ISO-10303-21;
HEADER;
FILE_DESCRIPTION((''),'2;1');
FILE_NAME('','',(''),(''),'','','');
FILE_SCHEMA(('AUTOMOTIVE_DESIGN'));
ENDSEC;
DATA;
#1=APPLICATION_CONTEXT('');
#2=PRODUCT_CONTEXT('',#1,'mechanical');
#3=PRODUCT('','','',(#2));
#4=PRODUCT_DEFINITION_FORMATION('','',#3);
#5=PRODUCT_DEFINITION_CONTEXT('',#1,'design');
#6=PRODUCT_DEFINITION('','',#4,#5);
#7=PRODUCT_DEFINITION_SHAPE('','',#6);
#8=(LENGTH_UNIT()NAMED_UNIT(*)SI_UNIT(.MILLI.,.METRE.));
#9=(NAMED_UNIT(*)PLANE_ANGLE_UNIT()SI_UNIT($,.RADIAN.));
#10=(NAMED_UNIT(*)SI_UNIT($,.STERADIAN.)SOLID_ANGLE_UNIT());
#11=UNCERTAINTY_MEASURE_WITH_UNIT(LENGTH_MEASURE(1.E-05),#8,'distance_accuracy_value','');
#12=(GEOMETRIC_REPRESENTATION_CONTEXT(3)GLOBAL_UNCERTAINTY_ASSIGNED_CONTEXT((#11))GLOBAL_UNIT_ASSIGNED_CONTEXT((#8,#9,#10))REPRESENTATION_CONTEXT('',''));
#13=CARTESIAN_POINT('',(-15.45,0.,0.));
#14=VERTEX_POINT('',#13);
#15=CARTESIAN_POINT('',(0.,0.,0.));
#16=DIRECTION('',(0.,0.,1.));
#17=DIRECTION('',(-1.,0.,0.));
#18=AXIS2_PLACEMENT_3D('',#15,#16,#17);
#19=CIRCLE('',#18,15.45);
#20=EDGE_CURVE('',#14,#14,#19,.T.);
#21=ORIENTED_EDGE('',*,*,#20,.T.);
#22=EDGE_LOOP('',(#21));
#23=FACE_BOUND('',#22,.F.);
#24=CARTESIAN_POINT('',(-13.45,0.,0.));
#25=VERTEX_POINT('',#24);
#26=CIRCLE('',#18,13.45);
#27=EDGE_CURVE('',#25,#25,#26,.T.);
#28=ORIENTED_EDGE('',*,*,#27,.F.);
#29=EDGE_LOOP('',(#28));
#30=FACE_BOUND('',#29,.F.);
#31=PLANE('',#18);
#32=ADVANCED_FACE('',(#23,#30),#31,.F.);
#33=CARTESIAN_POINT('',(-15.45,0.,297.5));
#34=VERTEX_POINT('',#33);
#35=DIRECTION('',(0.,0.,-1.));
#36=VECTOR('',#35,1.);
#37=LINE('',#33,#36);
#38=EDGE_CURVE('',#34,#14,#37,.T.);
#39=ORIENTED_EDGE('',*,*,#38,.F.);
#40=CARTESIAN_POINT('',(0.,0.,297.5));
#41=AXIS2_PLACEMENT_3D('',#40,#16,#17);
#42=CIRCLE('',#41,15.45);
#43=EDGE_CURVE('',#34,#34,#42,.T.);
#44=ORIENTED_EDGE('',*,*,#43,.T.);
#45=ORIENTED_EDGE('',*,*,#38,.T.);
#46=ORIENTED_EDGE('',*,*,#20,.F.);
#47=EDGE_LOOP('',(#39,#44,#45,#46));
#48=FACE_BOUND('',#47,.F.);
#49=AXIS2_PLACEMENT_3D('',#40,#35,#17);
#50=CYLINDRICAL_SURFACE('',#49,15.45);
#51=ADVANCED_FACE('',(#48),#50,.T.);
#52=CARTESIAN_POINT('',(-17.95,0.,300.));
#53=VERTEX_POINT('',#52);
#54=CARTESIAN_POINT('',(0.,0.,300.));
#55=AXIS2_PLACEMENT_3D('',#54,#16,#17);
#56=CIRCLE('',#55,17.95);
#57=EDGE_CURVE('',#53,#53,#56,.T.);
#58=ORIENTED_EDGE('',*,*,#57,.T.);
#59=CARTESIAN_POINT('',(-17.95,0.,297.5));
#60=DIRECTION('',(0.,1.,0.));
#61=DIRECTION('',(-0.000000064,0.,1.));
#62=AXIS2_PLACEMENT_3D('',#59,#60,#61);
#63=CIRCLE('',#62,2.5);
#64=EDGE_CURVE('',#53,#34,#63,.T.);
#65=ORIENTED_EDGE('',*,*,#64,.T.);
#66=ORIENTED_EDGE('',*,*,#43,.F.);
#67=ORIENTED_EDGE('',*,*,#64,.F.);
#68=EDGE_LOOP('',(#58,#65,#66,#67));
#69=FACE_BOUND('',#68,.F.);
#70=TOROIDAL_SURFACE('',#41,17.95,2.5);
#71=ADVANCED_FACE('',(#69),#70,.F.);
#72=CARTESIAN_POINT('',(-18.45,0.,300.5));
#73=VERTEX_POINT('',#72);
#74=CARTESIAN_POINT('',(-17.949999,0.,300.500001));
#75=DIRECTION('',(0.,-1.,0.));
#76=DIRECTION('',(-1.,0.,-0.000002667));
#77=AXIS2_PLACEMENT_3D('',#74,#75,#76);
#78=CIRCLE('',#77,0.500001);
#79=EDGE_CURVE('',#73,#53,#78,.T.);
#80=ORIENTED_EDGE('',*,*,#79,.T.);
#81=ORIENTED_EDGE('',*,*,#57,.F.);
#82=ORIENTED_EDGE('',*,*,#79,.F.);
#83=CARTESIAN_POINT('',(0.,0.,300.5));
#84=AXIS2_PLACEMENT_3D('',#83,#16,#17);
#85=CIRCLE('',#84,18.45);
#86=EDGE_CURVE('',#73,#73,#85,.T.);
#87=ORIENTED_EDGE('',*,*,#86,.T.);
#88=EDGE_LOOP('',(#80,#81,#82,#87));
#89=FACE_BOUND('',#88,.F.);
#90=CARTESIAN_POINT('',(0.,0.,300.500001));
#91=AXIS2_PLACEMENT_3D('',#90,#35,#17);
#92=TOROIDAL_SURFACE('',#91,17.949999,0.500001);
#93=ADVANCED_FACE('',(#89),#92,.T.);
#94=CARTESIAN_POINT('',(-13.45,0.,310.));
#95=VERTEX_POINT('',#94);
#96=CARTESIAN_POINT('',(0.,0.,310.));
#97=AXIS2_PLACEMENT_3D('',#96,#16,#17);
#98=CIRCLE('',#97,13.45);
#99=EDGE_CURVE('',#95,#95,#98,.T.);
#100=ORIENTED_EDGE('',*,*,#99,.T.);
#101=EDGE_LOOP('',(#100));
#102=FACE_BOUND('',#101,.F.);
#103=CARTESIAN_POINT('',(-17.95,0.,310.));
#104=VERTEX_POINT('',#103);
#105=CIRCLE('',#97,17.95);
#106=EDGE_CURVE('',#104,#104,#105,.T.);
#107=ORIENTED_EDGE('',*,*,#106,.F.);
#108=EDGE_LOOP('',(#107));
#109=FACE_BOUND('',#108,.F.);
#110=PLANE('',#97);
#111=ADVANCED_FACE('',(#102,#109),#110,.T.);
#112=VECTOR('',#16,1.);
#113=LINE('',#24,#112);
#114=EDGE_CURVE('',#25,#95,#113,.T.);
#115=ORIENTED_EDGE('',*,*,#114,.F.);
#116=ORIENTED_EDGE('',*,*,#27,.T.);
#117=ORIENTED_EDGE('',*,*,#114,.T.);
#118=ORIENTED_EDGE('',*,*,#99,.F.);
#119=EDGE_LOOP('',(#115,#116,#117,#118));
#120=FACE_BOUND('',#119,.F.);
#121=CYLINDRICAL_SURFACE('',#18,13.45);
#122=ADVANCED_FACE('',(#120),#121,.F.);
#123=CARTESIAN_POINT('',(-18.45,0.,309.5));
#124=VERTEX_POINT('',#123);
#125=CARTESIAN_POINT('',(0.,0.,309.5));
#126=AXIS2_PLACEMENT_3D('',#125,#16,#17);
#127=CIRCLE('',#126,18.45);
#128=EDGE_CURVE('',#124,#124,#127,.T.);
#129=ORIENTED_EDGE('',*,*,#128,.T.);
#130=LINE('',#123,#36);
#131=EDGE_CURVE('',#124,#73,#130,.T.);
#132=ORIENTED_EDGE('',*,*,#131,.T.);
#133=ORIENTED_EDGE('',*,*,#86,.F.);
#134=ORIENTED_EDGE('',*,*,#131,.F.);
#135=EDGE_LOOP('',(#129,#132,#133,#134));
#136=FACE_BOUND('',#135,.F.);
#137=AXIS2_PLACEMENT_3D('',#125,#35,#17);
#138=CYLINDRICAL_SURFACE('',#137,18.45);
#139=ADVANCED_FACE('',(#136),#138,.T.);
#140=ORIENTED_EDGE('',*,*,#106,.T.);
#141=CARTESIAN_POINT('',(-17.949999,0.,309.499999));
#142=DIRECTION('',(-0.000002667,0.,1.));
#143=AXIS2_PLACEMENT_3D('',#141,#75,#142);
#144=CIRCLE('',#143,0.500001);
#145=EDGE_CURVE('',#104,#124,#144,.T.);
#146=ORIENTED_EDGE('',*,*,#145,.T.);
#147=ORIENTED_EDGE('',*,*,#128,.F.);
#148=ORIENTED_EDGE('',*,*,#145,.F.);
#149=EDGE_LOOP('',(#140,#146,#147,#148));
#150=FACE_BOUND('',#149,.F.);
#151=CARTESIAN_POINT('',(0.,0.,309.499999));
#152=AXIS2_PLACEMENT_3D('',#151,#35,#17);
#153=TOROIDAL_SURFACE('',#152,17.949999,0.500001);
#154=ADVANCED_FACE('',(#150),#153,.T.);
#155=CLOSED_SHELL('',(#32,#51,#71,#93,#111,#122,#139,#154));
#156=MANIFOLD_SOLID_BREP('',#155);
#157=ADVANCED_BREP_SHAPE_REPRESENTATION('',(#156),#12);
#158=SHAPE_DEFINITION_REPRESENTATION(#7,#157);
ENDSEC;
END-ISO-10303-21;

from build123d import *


with BuildPart() as f1:
    # F0 (on Front) → F1 (revolve)
    with BuildSketch(Plane.XZ):
        with BuildLine():
            Line((-15.45, 0), (-13.45, 0))
            Line((-13.45, 0), (-13.45, 300))
            Line((-13.45, 300), (-13.45, 310))
            Line((-13.45, 310), (-17.95, 310))
            ThreePointArc((-17.95, 310), (-18.303553, 309.853553), (-18.45, 309.5))
            Line((-18.45, 309.5), (-18.45, 300.5))
            ThreePointArc((-18.45, 300.5), (-18.303553, 300.146447), (-17.95, 300))
            ThreePointArc((-17.95, 300), (-16.182233, 299.267767), (-15.45, 297.5))
            Line((-15.45, 297.5), (-15.45, 0))
        make_face()
    revolve(axis=Axis((0, 0, 42.6245), (0, 0, 1)))


solid = f1.part
